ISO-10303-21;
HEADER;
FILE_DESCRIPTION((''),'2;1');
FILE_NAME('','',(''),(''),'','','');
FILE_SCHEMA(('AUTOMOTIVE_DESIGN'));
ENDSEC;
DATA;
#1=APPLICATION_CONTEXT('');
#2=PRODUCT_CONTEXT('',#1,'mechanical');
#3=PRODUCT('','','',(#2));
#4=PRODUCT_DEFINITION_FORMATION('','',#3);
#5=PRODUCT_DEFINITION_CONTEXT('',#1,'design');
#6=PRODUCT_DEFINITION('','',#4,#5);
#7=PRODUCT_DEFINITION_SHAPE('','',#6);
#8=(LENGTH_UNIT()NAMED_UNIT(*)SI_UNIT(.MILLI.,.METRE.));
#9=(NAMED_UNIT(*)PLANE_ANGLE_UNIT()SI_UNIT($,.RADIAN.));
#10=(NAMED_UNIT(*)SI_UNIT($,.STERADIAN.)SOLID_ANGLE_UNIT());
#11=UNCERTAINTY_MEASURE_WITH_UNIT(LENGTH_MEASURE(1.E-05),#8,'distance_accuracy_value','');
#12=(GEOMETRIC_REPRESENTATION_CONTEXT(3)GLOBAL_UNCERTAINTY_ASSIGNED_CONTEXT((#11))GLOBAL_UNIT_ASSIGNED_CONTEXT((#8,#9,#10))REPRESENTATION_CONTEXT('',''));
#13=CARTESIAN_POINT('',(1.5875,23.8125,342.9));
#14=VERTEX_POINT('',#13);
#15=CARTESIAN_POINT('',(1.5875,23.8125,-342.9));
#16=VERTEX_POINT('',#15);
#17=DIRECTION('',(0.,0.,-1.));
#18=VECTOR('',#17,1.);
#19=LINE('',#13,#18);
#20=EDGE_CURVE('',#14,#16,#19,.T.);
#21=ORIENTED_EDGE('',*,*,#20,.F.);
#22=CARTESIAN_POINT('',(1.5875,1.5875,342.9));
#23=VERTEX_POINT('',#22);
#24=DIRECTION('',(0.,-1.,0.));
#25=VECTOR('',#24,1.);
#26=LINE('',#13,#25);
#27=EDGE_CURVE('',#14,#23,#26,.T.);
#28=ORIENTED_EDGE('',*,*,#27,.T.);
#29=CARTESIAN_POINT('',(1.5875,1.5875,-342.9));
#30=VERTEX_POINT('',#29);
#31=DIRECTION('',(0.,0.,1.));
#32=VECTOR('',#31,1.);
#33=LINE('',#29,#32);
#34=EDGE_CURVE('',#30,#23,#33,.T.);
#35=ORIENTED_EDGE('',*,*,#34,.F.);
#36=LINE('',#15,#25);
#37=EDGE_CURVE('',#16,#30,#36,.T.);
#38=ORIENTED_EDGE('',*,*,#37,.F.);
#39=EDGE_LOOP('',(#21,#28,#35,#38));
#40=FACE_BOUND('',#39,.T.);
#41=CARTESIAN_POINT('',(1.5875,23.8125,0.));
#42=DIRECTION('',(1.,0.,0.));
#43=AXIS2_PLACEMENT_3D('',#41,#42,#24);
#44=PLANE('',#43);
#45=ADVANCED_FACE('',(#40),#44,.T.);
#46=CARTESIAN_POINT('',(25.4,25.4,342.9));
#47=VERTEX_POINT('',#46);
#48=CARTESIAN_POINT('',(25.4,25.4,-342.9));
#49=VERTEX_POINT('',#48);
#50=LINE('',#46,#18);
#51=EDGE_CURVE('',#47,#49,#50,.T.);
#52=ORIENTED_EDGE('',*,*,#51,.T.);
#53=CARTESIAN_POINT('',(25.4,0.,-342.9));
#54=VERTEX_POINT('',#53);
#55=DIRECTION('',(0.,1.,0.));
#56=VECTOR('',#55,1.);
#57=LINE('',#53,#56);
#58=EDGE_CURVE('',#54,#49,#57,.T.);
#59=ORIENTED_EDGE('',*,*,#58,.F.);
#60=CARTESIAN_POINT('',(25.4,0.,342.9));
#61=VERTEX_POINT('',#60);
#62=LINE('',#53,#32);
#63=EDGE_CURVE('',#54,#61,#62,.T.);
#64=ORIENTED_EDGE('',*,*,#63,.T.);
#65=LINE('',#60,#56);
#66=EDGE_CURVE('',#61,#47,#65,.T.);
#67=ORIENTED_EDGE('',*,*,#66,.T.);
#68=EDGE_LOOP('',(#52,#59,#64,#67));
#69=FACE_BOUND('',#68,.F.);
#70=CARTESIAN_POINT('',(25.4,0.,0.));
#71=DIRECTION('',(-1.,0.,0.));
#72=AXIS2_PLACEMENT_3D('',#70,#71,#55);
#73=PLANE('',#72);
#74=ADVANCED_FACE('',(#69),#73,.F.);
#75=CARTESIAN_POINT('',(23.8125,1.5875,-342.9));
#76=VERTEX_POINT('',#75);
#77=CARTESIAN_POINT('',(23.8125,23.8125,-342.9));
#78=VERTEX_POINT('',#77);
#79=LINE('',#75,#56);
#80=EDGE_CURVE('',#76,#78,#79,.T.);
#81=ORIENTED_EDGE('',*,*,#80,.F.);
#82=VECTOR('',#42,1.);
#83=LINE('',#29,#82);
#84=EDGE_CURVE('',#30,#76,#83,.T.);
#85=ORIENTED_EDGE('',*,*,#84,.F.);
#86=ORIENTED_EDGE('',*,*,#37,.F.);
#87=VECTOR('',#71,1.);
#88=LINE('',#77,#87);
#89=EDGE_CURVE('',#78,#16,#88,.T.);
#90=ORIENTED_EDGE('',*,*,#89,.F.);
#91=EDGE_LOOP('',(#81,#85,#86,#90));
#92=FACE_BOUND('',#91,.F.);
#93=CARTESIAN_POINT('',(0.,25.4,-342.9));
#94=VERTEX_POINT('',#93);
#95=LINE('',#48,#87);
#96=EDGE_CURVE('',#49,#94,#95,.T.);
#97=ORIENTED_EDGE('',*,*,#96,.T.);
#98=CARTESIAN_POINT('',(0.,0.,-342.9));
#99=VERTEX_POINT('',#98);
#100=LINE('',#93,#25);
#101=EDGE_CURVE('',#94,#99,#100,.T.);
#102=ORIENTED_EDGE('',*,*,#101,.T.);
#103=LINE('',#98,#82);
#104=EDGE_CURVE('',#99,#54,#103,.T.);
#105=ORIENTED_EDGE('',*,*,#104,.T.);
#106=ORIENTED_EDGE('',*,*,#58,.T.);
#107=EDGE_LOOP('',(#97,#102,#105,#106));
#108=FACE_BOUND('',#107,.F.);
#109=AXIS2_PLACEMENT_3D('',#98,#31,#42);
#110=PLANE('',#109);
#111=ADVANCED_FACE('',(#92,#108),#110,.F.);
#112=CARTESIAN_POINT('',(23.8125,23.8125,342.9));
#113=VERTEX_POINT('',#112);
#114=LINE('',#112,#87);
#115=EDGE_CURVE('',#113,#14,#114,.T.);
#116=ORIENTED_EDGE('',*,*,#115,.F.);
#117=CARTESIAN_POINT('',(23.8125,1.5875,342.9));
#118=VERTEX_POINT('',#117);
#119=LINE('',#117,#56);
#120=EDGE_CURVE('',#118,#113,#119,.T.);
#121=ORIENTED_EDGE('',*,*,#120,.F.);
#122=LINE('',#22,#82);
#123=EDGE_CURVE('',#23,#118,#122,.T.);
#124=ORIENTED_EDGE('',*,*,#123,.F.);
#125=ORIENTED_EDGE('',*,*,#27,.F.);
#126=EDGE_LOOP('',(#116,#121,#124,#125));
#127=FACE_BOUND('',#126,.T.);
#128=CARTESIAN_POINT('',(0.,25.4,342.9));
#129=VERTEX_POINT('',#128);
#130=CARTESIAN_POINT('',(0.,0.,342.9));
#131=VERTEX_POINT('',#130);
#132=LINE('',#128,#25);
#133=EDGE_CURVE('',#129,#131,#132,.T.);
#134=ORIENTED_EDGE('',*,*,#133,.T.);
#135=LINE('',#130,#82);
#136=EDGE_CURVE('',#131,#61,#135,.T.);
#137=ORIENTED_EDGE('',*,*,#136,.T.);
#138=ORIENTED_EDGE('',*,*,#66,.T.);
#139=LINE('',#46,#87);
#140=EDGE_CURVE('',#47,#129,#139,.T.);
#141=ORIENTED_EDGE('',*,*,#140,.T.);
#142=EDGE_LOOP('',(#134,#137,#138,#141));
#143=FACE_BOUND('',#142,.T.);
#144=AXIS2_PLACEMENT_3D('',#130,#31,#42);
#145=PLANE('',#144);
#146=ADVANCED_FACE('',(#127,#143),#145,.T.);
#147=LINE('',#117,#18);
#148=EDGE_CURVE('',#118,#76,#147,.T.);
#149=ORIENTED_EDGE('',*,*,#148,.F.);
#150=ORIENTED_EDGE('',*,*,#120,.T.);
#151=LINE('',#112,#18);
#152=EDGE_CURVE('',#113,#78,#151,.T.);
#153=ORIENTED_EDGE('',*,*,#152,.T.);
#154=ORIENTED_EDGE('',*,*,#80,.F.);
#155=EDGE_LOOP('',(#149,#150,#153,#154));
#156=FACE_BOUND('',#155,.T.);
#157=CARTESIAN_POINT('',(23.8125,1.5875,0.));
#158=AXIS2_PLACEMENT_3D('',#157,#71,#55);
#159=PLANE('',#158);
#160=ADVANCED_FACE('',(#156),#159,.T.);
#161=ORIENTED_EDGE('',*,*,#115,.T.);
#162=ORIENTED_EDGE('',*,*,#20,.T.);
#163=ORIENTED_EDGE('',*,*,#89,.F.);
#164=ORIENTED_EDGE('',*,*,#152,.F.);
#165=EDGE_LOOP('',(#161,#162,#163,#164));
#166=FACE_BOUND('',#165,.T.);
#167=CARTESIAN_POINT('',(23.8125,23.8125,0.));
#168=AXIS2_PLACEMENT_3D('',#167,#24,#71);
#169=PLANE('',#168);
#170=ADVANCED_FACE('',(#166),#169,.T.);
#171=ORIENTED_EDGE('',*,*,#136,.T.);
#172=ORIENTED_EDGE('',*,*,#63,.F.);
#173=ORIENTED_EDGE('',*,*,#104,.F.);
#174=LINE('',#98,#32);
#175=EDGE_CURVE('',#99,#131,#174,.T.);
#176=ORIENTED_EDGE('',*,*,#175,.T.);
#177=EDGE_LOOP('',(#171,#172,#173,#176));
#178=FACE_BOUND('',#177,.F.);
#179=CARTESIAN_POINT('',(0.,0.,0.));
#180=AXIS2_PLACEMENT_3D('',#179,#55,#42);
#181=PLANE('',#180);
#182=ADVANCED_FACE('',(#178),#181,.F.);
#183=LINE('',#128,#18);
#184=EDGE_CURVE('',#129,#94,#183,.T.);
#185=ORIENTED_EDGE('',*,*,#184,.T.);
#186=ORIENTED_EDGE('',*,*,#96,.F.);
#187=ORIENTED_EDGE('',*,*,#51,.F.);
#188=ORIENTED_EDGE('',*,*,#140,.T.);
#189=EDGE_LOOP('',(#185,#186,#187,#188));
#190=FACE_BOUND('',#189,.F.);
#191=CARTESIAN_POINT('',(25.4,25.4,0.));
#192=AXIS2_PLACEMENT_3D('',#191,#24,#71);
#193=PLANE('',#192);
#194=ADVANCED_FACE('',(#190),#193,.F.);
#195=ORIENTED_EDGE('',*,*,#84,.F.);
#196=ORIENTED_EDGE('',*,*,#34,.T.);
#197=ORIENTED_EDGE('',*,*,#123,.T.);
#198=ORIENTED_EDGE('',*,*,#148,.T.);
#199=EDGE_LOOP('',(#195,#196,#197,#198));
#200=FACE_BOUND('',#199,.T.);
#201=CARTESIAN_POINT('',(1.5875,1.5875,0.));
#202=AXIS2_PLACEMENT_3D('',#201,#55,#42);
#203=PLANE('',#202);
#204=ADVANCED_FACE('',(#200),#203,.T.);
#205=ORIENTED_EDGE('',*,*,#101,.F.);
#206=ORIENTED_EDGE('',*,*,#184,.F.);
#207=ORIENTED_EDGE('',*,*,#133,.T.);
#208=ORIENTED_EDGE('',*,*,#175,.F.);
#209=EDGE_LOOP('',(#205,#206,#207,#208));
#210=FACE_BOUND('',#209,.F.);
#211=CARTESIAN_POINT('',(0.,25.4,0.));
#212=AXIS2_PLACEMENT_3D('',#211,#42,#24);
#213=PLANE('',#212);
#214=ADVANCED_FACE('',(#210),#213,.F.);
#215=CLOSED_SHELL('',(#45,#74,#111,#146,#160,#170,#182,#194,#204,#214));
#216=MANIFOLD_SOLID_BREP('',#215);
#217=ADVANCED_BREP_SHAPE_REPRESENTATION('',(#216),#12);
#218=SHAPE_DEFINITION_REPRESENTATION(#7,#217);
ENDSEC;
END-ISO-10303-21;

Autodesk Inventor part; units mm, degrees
ref_plane "YZ Plane" through (0, 0, 0) normal (1, 0, 0) x (0, 1, 0)
ref_plane "XZ Plane" through (0, 0, 0) normal (0, 1, 0) x (-1, 0, 0)
ref_plane "XY Plane" through (0, 0, 0) normal (0, 0, 1) x (1, 0, 0)
sketch "Sketch1" plane through (0, 0, 0) normal (0, 0, 1) x (1, 0, 0)
  line L0 (0, 0) -> (25.4, 0)
  line L1 (25.4, 0) -> (25.4, 25.4)
  line L2 (25.4, 25.4) -> (0, 25.4)
  line L3 (0, 25.4) -> (0, 0)
  line L4 (1.5875, 1.5875) -> (23.8125, 1.5875)
  line L5 (23.8125, 1.5875) -> (23.8125, 23.8125)
  line L6 (23.8125, 23.8125) -> (1.5875, 23.8125)
  line L7 (1.5875, 23.8125) -> (1.5875, 1.5875)
  dimension "d0" = 25.4
  dimension "d1" = 25.4
  dimension "d2" = 1.5875
extrude "Extrusion1" add sketch "Sketch1" along normal mid plane 685.8
properties part number "SUP_005_Middle ConnectorBar" material "Aluminum 6061"
